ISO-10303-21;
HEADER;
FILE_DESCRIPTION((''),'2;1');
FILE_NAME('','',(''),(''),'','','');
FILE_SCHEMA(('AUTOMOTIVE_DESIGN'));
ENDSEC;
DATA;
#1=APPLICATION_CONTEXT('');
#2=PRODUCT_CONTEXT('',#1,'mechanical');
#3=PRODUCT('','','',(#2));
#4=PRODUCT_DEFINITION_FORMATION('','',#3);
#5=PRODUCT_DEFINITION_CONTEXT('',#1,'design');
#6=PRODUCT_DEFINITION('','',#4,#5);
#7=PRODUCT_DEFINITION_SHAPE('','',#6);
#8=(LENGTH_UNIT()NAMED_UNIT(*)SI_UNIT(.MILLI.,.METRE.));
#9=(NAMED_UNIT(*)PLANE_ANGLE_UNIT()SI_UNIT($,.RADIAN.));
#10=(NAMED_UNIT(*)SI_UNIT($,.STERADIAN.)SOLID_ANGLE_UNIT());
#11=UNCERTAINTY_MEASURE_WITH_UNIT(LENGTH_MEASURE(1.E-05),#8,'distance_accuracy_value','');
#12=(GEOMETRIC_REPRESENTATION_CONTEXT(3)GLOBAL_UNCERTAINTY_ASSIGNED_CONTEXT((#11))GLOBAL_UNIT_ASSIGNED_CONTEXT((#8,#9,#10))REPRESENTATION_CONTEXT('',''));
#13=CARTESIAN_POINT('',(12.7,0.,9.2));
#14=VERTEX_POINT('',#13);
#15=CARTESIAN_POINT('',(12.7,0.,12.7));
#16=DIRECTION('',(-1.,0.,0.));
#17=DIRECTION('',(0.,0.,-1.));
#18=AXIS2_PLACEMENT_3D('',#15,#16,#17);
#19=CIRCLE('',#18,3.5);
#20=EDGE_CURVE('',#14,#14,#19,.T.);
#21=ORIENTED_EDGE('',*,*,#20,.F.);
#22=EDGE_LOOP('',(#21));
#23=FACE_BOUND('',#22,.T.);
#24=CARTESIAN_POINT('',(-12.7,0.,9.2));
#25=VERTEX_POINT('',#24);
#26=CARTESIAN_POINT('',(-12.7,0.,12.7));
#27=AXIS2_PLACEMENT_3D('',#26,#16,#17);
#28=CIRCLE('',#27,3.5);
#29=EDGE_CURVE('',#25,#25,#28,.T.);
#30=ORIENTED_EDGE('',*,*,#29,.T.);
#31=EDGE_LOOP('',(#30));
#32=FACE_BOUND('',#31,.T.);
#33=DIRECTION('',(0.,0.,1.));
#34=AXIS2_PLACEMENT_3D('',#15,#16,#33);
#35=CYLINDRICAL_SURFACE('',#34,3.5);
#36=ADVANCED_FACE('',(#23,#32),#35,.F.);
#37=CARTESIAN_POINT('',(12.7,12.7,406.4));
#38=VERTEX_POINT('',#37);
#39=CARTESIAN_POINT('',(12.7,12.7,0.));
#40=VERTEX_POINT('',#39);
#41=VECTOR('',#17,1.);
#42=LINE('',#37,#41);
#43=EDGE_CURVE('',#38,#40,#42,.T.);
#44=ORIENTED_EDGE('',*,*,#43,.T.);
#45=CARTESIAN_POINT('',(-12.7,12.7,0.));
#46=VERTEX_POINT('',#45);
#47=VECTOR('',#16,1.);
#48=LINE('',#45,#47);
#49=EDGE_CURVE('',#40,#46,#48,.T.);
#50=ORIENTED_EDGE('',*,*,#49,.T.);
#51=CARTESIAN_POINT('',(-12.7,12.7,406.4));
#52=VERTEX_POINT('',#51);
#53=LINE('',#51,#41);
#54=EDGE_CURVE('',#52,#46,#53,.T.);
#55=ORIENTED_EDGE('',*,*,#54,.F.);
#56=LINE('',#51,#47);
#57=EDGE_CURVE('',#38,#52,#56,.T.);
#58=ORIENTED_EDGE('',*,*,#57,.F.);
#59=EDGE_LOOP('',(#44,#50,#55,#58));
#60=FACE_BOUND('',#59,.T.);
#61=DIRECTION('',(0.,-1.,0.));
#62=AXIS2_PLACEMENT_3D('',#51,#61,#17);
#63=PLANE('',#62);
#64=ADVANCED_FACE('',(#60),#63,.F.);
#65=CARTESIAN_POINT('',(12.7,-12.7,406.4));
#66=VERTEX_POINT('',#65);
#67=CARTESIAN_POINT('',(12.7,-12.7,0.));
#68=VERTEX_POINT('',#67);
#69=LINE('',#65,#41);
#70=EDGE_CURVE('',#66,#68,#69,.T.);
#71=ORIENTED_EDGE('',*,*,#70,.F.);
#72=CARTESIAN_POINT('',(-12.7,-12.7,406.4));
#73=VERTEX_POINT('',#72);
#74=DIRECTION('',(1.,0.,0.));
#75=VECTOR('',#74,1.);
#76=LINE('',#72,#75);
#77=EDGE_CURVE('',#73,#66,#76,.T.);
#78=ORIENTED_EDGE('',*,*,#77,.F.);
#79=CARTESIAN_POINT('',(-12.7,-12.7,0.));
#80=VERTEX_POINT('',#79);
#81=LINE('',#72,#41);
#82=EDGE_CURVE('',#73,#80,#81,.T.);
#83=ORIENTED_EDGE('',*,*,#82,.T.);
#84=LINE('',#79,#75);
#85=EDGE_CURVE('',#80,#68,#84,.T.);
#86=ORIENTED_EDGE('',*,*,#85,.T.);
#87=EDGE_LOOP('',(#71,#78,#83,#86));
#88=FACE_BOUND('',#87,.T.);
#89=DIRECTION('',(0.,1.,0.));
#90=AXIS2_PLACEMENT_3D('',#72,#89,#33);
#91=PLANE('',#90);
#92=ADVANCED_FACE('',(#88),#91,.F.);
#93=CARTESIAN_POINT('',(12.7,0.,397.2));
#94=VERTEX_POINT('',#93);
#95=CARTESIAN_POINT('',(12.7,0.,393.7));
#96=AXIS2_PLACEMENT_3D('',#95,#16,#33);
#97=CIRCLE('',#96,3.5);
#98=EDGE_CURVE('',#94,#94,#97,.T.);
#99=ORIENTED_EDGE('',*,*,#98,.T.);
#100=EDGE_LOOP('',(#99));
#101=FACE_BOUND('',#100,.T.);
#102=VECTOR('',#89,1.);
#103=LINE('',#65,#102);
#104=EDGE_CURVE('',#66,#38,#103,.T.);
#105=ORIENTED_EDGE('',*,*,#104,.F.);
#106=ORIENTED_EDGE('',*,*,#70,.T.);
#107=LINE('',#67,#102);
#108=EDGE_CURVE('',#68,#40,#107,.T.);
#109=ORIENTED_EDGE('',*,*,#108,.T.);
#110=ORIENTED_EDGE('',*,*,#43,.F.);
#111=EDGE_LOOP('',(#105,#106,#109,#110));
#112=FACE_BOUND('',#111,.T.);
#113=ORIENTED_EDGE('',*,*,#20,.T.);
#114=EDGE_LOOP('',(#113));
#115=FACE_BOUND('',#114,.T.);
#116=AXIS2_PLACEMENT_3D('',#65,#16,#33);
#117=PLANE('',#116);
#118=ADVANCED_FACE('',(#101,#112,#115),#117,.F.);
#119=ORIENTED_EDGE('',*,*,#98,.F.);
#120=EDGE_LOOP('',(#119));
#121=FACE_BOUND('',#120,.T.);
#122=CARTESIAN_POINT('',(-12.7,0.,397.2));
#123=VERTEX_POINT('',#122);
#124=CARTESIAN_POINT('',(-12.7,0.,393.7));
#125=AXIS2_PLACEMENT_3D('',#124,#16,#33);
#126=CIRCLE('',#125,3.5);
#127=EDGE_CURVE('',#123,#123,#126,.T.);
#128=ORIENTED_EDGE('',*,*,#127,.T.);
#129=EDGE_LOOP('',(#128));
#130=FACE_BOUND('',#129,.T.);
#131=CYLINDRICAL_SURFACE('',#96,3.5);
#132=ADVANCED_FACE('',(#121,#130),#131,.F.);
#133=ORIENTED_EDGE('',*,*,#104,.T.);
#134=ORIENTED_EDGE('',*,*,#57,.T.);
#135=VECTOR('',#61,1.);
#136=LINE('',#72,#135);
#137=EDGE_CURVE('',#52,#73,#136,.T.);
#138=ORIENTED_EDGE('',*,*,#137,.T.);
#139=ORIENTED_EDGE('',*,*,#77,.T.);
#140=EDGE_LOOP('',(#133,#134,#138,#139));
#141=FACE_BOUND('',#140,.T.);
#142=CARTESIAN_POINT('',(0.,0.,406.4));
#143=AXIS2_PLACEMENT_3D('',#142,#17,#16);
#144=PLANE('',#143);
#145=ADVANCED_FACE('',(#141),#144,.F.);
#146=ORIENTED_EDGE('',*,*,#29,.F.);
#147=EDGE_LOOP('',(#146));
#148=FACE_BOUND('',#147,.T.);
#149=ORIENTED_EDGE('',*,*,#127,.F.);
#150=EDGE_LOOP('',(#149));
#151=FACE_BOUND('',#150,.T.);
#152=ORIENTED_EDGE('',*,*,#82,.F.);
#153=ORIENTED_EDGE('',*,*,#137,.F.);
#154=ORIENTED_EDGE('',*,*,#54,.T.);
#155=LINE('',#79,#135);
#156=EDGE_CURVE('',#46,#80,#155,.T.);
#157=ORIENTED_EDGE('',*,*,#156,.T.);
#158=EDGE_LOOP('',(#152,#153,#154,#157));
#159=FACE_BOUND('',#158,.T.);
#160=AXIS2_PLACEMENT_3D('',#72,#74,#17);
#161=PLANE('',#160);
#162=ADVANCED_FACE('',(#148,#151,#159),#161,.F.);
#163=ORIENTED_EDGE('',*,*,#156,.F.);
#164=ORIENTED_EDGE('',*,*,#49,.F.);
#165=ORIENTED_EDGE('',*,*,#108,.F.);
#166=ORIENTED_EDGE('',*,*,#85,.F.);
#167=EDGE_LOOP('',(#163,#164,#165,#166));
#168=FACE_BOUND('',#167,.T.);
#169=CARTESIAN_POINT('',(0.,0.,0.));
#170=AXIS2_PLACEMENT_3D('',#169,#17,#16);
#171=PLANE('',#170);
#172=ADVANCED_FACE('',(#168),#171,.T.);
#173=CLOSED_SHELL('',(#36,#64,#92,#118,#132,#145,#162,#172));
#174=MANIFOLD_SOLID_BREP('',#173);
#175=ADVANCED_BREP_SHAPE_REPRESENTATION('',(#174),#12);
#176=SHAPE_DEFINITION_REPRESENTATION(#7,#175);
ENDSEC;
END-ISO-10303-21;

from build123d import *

# Parameters (mm, degrees)
SKETCH1_W           = 25.4
SKETCH1_H           = 25.4
BOSS_EXTRUDE1_DEPTH = 406.4
SKETCH10_R          = 3.5
CUT_EXTRUDE6_DEPTH  = 26.4


with BuildPart() as part:
    # Sketch1 → Boss-Extrude1 (new body)
    with BuildSketch(Plane.XY):
        Rectangle(SKETCH1_W, SKETCH1_H)
    extrude(amount=BOSS_EXTRUDE1_DEPTH)

    # Sketch10 → Cut-Extrude6 (cut, through all)
    with BuildSketch(Plane.ZY.offset(12.7)):
        with Locations((393.7, 0)):
            Circle(SKETCH10_R)
        with Locations((12.7, 0)):
            Circle(SKETCH10_R)
    extrude(amount=-CUT_EXTRUDE6_DEPTH, mode=Mode.SUBTRACT)


solid = part.part
